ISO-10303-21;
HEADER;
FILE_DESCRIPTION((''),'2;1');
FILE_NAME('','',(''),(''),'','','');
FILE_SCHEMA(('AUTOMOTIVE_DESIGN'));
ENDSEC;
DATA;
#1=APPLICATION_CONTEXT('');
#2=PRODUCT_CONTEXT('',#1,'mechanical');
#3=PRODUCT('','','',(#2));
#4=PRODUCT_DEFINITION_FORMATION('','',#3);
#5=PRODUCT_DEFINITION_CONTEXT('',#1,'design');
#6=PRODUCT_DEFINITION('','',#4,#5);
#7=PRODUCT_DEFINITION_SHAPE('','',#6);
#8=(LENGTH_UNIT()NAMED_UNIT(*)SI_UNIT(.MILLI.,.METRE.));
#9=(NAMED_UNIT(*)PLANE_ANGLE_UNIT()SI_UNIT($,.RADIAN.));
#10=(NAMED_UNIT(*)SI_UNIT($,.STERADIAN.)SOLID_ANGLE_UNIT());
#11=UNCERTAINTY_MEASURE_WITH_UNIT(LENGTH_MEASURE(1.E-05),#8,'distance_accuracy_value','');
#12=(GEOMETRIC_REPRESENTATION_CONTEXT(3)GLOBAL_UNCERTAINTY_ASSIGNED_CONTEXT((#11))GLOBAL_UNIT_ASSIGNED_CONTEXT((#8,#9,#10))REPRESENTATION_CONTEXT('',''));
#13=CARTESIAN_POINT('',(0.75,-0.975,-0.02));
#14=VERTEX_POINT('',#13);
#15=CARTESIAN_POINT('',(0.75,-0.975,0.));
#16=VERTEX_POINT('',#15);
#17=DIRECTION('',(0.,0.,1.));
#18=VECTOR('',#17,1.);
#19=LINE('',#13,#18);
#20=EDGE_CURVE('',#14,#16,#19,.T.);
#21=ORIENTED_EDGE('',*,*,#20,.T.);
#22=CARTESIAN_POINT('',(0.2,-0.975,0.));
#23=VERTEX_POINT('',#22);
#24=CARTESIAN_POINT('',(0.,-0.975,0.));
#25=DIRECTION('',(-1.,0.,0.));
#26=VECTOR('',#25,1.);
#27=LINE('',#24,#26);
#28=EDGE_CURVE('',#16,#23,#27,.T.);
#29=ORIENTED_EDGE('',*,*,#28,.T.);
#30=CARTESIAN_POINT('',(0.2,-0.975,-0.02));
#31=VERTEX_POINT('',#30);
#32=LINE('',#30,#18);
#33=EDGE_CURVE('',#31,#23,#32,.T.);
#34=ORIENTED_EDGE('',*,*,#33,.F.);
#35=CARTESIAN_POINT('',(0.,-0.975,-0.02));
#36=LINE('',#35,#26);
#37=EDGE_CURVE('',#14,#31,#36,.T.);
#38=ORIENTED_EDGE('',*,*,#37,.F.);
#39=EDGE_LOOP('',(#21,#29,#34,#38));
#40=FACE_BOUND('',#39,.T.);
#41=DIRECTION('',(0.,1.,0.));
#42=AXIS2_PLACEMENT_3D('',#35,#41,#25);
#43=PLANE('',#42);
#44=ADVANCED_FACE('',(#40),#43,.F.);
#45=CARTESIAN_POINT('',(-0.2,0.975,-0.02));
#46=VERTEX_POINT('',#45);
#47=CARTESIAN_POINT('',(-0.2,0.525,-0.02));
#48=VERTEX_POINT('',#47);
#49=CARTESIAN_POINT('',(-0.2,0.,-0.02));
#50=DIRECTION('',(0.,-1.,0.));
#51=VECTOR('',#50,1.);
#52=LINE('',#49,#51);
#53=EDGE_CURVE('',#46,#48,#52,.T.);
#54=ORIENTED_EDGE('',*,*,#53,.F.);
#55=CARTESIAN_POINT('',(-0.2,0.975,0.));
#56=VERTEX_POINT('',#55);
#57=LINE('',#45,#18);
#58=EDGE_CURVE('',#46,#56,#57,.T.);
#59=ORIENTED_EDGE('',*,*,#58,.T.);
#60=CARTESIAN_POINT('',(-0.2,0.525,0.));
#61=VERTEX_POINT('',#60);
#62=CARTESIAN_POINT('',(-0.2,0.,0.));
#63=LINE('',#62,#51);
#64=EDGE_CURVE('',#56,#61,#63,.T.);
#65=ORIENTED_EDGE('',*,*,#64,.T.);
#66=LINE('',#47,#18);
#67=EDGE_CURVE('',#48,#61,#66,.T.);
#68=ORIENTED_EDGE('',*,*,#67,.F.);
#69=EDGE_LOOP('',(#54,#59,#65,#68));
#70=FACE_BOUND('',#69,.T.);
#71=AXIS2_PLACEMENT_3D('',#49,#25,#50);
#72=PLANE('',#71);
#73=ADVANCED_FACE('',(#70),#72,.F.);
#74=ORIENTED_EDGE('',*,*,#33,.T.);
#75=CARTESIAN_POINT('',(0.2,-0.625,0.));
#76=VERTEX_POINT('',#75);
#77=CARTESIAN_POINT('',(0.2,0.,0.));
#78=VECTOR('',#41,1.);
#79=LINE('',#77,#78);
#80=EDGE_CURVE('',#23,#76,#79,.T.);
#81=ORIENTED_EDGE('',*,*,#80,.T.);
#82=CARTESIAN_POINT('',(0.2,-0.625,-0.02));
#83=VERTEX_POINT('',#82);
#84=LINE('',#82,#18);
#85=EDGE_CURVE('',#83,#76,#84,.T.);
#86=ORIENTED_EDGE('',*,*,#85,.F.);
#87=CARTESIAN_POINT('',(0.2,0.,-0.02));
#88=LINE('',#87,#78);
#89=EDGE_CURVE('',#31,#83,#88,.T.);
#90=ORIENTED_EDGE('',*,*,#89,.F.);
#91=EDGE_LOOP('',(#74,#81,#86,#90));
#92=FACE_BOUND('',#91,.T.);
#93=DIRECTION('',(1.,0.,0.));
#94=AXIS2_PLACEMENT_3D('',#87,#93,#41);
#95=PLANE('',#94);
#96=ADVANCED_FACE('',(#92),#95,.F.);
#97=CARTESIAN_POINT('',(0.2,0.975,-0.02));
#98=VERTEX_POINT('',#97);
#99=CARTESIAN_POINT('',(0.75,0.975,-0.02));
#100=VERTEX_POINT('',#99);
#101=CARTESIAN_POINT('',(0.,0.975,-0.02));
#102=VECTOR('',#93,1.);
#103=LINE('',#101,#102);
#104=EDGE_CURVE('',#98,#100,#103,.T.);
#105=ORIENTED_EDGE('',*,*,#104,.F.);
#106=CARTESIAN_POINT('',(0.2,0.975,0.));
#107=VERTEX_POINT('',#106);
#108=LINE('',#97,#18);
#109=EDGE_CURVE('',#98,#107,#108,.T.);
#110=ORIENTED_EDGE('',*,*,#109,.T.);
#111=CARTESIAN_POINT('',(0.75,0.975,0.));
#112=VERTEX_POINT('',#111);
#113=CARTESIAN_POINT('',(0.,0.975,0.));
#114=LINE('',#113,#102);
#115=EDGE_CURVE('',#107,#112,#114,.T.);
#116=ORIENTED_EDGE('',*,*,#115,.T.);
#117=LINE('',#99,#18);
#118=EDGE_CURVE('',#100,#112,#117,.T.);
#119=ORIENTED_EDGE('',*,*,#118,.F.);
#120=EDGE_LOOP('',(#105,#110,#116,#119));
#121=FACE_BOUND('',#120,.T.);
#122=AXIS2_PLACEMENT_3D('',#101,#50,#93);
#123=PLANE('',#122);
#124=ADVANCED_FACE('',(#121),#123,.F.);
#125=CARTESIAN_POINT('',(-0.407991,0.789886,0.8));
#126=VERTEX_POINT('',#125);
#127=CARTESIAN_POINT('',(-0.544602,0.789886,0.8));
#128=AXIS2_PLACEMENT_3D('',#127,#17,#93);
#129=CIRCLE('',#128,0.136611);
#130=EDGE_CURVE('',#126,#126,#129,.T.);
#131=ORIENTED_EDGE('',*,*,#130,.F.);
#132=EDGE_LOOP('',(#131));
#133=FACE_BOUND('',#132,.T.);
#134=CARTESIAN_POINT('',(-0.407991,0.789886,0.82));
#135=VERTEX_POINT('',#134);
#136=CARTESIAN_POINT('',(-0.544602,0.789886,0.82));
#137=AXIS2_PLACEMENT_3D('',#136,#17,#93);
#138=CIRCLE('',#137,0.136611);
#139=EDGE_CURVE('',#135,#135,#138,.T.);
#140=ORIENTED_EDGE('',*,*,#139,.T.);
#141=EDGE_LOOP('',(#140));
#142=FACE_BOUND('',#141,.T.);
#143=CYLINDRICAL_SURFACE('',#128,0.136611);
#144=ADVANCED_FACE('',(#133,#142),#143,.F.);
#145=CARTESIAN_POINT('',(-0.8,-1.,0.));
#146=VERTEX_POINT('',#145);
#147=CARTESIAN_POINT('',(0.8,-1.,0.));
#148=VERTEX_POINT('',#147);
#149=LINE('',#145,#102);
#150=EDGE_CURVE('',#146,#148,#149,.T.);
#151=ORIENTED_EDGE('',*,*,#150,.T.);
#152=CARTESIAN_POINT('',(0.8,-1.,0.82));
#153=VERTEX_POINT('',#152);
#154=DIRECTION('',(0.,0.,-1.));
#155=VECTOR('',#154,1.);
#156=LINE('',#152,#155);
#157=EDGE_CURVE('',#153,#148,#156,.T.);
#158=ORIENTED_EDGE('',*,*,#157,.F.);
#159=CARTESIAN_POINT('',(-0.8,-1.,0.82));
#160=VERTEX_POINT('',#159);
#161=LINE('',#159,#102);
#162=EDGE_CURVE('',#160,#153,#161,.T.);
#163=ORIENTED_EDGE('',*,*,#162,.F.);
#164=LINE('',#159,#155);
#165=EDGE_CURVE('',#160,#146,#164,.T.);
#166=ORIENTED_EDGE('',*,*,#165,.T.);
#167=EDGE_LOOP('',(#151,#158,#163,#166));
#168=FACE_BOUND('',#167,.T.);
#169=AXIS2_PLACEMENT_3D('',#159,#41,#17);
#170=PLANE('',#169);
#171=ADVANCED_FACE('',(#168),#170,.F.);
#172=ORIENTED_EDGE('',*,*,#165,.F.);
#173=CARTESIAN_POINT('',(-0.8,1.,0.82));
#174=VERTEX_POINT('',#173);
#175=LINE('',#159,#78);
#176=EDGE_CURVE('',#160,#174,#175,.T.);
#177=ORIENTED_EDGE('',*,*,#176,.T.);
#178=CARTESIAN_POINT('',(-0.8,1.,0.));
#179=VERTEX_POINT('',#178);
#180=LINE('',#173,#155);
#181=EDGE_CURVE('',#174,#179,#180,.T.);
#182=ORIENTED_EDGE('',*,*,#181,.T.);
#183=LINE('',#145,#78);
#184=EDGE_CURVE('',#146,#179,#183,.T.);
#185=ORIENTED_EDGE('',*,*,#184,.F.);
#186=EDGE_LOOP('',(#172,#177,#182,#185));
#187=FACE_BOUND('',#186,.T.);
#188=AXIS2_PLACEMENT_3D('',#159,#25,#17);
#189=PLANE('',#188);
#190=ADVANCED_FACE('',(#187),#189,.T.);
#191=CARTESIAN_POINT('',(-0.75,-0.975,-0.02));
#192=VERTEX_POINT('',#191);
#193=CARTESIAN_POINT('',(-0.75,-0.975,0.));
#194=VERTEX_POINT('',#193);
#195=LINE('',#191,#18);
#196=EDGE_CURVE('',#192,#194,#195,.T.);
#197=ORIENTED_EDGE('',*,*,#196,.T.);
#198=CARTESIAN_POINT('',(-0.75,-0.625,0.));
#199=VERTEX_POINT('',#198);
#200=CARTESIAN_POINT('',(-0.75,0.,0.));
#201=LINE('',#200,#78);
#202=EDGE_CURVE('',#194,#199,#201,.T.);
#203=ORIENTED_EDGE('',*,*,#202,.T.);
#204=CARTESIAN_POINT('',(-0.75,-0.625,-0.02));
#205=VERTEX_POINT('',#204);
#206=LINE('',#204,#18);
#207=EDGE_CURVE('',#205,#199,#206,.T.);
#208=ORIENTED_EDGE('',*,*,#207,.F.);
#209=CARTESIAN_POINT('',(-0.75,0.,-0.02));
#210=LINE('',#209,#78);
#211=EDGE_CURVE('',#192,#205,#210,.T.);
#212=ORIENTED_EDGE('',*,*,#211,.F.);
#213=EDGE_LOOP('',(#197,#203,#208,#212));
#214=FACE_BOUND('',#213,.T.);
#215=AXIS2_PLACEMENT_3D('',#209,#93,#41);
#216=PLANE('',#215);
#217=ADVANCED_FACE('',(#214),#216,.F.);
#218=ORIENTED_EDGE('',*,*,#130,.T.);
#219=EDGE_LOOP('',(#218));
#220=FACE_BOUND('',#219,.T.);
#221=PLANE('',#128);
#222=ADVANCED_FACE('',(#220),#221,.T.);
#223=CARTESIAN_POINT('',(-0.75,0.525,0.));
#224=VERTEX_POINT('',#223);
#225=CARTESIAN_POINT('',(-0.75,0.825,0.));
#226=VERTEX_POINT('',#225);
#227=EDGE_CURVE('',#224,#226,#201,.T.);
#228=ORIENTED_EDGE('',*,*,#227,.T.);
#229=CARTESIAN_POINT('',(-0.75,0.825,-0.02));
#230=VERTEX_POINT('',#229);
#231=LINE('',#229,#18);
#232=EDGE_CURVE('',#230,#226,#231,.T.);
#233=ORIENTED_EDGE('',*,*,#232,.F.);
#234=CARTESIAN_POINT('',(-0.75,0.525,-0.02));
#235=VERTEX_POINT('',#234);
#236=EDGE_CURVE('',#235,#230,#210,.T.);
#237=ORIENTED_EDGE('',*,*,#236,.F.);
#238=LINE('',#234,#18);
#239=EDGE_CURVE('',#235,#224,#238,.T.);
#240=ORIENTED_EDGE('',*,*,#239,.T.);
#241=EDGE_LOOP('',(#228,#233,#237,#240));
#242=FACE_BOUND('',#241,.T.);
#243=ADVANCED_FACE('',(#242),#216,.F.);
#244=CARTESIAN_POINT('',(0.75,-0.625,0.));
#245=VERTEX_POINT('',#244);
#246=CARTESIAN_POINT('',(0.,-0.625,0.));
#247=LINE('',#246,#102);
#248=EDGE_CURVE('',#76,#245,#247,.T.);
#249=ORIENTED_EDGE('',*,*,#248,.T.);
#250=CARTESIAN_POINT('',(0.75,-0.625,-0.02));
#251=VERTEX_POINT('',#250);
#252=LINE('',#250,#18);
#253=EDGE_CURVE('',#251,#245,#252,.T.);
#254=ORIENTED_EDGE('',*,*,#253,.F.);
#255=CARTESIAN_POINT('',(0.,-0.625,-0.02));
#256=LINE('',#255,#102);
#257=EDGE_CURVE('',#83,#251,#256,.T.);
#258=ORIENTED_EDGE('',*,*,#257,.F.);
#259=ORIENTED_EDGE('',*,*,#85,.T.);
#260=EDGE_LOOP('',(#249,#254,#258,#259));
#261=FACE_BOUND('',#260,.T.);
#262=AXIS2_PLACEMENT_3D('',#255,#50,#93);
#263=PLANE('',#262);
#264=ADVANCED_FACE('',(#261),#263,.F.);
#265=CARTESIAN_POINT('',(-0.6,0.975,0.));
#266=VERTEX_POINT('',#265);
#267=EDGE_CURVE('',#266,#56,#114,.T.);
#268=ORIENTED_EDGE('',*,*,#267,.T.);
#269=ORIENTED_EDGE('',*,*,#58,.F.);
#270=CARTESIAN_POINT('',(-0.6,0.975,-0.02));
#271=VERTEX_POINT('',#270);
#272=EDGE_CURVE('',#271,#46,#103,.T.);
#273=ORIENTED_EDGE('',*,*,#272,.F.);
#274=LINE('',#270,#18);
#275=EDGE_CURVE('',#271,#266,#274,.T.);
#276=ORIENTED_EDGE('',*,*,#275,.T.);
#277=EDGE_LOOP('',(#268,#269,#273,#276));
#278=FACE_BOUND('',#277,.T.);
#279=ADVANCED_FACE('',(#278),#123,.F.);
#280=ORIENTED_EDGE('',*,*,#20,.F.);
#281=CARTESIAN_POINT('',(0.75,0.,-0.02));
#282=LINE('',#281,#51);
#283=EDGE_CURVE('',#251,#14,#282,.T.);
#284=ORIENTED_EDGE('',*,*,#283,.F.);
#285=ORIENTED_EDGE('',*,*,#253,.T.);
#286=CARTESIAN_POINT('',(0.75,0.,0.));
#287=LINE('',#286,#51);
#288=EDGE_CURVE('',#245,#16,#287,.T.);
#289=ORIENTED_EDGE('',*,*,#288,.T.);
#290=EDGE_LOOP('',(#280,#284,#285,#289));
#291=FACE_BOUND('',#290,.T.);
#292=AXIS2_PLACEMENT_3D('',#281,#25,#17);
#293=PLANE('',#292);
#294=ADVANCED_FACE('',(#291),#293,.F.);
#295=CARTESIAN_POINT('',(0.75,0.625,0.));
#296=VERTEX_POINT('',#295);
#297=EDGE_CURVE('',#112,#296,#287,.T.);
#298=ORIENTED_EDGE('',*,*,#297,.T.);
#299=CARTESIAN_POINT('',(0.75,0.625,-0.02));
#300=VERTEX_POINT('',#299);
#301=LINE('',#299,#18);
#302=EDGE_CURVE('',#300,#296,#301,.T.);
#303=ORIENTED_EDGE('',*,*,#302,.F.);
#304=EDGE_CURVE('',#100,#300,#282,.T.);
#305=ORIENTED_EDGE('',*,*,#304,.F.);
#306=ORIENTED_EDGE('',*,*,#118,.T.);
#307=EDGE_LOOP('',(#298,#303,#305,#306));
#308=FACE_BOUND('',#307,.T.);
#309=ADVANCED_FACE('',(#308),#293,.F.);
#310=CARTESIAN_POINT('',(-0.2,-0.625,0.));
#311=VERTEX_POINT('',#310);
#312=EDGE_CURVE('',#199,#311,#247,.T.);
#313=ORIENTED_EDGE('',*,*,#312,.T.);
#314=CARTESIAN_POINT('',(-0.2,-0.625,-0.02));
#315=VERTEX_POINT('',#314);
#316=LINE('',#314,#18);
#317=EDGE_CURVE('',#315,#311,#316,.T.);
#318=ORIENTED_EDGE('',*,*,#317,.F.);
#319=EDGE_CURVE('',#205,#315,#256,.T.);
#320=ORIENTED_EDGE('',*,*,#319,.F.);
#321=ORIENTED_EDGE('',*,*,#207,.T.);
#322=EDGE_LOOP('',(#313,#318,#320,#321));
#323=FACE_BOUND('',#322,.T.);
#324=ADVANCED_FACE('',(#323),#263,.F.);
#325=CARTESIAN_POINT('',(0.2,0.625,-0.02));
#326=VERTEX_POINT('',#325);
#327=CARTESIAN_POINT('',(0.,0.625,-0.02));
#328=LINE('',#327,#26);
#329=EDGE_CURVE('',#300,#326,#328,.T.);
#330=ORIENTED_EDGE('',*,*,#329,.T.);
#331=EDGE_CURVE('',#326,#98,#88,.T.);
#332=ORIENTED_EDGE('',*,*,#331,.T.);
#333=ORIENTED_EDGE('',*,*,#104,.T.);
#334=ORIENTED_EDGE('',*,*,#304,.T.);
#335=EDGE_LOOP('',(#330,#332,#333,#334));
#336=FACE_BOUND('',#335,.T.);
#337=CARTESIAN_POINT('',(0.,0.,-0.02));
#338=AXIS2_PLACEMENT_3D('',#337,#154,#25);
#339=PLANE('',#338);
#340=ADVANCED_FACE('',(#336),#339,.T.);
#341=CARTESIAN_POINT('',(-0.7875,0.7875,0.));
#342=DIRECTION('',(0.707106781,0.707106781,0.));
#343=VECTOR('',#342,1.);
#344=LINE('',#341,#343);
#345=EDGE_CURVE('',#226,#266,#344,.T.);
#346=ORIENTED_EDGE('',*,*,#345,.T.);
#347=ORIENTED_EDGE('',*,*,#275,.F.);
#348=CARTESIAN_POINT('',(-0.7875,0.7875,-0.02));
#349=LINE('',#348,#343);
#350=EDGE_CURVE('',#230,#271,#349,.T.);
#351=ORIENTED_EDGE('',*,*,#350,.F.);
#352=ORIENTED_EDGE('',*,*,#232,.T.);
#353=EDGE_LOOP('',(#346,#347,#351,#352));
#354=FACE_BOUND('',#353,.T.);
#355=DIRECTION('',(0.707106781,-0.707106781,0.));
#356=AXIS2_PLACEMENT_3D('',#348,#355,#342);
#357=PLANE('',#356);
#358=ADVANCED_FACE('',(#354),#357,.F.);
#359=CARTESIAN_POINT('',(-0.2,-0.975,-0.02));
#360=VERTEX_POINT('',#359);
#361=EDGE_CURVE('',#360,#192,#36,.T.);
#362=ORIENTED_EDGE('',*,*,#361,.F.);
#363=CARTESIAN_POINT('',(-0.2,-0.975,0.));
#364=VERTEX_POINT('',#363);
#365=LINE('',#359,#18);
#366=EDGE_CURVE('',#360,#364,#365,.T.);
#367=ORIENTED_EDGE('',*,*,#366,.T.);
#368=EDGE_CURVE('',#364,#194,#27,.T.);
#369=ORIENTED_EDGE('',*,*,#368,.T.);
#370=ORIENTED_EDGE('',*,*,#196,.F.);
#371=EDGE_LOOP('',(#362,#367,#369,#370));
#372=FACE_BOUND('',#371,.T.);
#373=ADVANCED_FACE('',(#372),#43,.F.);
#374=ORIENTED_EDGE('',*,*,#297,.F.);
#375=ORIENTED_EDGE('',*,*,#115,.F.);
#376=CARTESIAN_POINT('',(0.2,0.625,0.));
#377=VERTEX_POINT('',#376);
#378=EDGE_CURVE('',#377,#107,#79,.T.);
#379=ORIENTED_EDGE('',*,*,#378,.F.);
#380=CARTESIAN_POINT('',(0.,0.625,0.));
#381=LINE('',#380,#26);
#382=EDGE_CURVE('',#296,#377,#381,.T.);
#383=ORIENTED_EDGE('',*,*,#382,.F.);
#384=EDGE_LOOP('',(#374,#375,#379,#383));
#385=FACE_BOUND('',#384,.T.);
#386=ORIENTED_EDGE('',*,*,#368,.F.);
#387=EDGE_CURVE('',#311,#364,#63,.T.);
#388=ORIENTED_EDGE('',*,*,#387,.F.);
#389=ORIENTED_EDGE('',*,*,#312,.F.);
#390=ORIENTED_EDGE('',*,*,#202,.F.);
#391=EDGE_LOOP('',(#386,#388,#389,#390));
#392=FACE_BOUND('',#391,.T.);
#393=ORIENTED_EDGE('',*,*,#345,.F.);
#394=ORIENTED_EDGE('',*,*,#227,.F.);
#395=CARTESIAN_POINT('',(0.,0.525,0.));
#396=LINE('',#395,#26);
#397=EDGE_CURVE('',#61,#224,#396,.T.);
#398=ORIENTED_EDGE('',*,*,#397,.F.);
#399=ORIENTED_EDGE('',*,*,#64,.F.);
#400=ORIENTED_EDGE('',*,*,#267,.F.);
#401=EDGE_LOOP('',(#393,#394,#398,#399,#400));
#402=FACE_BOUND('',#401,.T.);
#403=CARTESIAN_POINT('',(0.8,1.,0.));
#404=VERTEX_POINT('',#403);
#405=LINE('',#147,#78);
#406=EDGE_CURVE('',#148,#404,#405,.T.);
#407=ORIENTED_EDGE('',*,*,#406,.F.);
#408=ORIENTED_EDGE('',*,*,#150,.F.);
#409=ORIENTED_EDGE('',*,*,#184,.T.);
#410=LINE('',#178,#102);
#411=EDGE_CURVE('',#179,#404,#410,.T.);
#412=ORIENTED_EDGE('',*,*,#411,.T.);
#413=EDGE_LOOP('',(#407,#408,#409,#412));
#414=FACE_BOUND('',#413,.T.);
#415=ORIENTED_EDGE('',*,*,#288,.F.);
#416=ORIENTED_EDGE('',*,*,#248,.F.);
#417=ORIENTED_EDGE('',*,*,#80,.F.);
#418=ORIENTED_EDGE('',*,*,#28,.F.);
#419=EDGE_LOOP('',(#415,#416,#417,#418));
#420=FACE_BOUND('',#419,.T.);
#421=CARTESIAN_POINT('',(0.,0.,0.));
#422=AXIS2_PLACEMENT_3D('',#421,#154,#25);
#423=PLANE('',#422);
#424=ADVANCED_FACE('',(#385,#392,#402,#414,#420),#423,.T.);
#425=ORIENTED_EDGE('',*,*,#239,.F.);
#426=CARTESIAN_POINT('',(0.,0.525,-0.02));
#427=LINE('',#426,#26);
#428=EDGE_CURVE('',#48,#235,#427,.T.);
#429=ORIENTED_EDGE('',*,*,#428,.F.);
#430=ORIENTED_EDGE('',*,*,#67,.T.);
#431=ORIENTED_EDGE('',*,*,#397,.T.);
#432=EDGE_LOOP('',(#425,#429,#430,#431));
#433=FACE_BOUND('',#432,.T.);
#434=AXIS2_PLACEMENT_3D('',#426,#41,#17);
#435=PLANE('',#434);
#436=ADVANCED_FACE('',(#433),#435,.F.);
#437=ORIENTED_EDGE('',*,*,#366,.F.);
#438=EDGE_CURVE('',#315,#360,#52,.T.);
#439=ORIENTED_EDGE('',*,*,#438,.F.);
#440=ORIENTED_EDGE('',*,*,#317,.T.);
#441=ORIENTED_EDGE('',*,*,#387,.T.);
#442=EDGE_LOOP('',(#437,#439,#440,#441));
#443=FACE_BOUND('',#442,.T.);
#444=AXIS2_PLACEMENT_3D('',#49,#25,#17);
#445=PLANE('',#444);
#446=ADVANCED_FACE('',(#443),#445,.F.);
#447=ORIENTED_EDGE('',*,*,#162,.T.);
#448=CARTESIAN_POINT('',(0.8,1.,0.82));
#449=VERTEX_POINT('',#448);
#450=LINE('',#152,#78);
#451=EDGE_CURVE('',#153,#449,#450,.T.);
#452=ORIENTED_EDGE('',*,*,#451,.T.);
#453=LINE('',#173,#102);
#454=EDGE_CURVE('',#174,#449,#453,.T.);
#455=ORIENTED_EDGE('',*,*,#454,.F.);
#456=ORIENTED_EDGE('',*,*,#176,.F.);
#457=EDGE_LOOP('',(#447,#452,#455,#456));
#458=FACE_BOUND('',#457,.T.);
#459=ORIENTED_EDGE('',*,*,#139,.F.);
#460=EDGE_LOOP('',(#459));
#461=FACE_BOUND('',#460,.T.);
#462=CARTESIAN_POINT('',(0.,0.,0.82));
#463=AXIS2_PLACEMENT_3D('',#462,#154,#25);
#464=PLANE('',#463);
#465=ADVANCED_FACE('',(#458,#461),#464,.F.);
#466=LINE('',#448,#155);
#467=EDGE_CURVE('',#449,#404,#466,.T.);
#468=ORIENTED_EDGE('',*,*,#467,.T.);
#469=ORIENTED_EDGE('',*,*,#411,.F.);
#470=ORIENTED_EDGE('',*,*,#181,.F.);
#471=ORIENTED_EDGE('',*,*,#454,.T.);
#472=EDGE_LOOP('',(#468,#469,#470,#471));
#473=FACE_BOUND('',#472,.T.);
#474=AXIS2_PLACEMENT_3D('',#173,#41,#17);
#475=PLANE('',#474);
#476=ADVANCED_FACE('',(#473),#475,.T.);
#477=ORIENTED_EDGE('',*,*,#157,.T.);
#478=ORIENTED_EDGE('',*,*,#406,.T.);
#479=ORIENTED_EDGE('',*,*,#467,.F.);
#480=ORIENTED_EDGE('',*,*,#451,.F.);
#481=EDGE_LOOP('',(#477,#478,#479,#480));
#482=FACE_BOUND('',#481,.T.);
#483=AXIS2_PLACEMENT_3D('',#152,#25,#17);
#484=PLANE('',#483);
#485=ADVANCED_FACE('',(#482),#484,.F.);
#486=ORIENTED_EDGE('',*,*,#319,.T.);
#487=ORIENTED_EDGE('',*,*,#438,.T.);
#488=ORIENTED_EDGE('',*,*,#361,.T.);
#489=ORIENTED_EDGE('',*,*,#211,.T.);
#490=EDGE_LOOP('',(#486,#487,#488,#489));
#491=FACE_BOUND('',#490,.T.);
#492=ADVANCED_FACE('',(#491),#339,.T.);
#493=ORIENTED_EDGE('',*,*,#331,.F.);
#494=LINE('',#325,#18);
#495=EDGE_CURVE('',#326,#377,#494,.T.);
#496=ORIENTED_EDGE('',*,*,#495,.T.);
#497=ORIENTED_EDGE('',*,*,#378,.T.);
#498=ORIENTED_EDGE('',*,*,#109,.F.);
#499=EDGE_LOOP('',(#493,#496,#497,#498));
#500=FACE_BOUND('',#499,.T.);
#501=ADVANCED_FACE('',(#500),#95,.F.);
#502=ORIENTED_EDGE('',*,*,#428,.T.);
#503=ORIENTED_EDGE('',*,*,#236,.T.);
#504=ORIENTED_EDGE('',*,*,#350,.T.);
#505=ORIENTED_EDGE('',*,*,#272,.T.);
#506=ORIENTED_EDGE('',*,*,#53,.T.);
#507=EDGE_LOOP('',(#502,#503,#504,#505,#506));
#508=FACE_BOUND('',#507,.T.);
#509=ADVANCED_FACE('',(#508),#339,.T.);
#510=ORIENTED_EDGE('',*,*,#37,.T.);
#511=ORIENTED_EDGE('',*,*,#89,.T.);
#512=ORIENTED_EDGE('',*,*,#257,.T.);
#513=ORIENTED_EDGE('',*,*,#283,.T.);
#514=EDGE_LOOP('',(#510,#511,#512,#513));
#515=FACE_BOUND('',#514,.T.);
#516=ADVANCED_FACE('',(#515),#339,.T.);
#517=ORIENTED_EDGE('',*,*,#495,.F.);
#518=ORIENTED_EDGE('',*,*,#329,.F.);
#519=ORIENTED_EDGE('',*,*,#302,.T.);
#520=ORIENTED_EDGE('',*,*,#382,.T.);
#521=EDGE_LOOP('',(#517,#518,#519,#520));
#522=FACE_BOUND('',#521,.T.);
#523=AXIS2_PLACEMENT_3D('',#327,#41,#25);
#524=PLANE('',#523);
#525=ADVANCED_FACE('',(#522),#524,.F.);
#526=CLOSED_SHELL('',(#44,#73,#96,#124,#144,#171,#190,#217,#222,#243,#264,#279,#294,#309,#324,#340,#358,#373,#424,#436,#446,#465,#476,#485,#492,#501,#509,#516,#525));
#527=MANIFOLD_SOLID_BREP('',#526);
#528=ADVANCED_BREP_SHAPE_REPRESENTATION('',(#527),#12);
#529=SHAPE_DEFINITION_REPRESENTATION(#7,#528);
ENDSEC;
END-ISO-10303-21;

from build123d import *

# Parameters (mm, degrees)
SKETCH1_W           = 1.6
SKETCH1_H           = 2
BOSS_EXTRUDE1_DEPTH = 0.82
SKETCH2_R           = 0.136611136
CUT_EXTRUDE1_DEPTH  = 0.02
BOSS_EXTRUDE2_START = -0.82
SKETCH3_W           = 0.55
SKETCH3_H           = 0.35
BOSS_EXTRUDE2_DEPTH = 0.02


with BuildPart() as part:
    # Sketch1 → Boss-Extrude1 (new body)
    with BuildSketch(Plane.XY):
        Rectangle(SKETCH1_W, SKETCH1_H)
    extrude(amount=BOSS_EXTRUDE1_DEPTH)

    # Sketch2 → Cut-Extrude1 (cut)
    with BuildSketch(Plane.XY.offset(0.82)):
        with Locations((-0.544602285, 0.78988591)):
            Circle(SKETCH2_R)
    extrude(amount=-CUT_EXTRUDE1_DEPTH, mode=Mode.SUBTRACT)

    # Sketch3 → Boss-Extrude2 (add)
    with BuildSketch(Plane.XY.offset(0.82).offset(BOSS_EXTRUDE2_START)):
        with Locations((0.475, 0.8)):
            Rectangle(SKETCH3_W, SKETCH3_H)
        Polygon((-0.75, 0.625), (-0.75, 0.825), (-0.6, 0.975), (-0.2, 0.975), (-0.2, 0.625), (-0.2, 0.525), (-0.75, 0.525), align=None)
        with Locations((-0.475, -0.8)):
            Rectangle(SKETCH3_W, SKETCH3_H)
        with Locations((0.475, -0.8)):
            Rectangle(SKETCH3_W, SKETCH3_H)
    extrude(amount=-BOSS_EXTRUDE2_DEPTH)


solid = part.part
